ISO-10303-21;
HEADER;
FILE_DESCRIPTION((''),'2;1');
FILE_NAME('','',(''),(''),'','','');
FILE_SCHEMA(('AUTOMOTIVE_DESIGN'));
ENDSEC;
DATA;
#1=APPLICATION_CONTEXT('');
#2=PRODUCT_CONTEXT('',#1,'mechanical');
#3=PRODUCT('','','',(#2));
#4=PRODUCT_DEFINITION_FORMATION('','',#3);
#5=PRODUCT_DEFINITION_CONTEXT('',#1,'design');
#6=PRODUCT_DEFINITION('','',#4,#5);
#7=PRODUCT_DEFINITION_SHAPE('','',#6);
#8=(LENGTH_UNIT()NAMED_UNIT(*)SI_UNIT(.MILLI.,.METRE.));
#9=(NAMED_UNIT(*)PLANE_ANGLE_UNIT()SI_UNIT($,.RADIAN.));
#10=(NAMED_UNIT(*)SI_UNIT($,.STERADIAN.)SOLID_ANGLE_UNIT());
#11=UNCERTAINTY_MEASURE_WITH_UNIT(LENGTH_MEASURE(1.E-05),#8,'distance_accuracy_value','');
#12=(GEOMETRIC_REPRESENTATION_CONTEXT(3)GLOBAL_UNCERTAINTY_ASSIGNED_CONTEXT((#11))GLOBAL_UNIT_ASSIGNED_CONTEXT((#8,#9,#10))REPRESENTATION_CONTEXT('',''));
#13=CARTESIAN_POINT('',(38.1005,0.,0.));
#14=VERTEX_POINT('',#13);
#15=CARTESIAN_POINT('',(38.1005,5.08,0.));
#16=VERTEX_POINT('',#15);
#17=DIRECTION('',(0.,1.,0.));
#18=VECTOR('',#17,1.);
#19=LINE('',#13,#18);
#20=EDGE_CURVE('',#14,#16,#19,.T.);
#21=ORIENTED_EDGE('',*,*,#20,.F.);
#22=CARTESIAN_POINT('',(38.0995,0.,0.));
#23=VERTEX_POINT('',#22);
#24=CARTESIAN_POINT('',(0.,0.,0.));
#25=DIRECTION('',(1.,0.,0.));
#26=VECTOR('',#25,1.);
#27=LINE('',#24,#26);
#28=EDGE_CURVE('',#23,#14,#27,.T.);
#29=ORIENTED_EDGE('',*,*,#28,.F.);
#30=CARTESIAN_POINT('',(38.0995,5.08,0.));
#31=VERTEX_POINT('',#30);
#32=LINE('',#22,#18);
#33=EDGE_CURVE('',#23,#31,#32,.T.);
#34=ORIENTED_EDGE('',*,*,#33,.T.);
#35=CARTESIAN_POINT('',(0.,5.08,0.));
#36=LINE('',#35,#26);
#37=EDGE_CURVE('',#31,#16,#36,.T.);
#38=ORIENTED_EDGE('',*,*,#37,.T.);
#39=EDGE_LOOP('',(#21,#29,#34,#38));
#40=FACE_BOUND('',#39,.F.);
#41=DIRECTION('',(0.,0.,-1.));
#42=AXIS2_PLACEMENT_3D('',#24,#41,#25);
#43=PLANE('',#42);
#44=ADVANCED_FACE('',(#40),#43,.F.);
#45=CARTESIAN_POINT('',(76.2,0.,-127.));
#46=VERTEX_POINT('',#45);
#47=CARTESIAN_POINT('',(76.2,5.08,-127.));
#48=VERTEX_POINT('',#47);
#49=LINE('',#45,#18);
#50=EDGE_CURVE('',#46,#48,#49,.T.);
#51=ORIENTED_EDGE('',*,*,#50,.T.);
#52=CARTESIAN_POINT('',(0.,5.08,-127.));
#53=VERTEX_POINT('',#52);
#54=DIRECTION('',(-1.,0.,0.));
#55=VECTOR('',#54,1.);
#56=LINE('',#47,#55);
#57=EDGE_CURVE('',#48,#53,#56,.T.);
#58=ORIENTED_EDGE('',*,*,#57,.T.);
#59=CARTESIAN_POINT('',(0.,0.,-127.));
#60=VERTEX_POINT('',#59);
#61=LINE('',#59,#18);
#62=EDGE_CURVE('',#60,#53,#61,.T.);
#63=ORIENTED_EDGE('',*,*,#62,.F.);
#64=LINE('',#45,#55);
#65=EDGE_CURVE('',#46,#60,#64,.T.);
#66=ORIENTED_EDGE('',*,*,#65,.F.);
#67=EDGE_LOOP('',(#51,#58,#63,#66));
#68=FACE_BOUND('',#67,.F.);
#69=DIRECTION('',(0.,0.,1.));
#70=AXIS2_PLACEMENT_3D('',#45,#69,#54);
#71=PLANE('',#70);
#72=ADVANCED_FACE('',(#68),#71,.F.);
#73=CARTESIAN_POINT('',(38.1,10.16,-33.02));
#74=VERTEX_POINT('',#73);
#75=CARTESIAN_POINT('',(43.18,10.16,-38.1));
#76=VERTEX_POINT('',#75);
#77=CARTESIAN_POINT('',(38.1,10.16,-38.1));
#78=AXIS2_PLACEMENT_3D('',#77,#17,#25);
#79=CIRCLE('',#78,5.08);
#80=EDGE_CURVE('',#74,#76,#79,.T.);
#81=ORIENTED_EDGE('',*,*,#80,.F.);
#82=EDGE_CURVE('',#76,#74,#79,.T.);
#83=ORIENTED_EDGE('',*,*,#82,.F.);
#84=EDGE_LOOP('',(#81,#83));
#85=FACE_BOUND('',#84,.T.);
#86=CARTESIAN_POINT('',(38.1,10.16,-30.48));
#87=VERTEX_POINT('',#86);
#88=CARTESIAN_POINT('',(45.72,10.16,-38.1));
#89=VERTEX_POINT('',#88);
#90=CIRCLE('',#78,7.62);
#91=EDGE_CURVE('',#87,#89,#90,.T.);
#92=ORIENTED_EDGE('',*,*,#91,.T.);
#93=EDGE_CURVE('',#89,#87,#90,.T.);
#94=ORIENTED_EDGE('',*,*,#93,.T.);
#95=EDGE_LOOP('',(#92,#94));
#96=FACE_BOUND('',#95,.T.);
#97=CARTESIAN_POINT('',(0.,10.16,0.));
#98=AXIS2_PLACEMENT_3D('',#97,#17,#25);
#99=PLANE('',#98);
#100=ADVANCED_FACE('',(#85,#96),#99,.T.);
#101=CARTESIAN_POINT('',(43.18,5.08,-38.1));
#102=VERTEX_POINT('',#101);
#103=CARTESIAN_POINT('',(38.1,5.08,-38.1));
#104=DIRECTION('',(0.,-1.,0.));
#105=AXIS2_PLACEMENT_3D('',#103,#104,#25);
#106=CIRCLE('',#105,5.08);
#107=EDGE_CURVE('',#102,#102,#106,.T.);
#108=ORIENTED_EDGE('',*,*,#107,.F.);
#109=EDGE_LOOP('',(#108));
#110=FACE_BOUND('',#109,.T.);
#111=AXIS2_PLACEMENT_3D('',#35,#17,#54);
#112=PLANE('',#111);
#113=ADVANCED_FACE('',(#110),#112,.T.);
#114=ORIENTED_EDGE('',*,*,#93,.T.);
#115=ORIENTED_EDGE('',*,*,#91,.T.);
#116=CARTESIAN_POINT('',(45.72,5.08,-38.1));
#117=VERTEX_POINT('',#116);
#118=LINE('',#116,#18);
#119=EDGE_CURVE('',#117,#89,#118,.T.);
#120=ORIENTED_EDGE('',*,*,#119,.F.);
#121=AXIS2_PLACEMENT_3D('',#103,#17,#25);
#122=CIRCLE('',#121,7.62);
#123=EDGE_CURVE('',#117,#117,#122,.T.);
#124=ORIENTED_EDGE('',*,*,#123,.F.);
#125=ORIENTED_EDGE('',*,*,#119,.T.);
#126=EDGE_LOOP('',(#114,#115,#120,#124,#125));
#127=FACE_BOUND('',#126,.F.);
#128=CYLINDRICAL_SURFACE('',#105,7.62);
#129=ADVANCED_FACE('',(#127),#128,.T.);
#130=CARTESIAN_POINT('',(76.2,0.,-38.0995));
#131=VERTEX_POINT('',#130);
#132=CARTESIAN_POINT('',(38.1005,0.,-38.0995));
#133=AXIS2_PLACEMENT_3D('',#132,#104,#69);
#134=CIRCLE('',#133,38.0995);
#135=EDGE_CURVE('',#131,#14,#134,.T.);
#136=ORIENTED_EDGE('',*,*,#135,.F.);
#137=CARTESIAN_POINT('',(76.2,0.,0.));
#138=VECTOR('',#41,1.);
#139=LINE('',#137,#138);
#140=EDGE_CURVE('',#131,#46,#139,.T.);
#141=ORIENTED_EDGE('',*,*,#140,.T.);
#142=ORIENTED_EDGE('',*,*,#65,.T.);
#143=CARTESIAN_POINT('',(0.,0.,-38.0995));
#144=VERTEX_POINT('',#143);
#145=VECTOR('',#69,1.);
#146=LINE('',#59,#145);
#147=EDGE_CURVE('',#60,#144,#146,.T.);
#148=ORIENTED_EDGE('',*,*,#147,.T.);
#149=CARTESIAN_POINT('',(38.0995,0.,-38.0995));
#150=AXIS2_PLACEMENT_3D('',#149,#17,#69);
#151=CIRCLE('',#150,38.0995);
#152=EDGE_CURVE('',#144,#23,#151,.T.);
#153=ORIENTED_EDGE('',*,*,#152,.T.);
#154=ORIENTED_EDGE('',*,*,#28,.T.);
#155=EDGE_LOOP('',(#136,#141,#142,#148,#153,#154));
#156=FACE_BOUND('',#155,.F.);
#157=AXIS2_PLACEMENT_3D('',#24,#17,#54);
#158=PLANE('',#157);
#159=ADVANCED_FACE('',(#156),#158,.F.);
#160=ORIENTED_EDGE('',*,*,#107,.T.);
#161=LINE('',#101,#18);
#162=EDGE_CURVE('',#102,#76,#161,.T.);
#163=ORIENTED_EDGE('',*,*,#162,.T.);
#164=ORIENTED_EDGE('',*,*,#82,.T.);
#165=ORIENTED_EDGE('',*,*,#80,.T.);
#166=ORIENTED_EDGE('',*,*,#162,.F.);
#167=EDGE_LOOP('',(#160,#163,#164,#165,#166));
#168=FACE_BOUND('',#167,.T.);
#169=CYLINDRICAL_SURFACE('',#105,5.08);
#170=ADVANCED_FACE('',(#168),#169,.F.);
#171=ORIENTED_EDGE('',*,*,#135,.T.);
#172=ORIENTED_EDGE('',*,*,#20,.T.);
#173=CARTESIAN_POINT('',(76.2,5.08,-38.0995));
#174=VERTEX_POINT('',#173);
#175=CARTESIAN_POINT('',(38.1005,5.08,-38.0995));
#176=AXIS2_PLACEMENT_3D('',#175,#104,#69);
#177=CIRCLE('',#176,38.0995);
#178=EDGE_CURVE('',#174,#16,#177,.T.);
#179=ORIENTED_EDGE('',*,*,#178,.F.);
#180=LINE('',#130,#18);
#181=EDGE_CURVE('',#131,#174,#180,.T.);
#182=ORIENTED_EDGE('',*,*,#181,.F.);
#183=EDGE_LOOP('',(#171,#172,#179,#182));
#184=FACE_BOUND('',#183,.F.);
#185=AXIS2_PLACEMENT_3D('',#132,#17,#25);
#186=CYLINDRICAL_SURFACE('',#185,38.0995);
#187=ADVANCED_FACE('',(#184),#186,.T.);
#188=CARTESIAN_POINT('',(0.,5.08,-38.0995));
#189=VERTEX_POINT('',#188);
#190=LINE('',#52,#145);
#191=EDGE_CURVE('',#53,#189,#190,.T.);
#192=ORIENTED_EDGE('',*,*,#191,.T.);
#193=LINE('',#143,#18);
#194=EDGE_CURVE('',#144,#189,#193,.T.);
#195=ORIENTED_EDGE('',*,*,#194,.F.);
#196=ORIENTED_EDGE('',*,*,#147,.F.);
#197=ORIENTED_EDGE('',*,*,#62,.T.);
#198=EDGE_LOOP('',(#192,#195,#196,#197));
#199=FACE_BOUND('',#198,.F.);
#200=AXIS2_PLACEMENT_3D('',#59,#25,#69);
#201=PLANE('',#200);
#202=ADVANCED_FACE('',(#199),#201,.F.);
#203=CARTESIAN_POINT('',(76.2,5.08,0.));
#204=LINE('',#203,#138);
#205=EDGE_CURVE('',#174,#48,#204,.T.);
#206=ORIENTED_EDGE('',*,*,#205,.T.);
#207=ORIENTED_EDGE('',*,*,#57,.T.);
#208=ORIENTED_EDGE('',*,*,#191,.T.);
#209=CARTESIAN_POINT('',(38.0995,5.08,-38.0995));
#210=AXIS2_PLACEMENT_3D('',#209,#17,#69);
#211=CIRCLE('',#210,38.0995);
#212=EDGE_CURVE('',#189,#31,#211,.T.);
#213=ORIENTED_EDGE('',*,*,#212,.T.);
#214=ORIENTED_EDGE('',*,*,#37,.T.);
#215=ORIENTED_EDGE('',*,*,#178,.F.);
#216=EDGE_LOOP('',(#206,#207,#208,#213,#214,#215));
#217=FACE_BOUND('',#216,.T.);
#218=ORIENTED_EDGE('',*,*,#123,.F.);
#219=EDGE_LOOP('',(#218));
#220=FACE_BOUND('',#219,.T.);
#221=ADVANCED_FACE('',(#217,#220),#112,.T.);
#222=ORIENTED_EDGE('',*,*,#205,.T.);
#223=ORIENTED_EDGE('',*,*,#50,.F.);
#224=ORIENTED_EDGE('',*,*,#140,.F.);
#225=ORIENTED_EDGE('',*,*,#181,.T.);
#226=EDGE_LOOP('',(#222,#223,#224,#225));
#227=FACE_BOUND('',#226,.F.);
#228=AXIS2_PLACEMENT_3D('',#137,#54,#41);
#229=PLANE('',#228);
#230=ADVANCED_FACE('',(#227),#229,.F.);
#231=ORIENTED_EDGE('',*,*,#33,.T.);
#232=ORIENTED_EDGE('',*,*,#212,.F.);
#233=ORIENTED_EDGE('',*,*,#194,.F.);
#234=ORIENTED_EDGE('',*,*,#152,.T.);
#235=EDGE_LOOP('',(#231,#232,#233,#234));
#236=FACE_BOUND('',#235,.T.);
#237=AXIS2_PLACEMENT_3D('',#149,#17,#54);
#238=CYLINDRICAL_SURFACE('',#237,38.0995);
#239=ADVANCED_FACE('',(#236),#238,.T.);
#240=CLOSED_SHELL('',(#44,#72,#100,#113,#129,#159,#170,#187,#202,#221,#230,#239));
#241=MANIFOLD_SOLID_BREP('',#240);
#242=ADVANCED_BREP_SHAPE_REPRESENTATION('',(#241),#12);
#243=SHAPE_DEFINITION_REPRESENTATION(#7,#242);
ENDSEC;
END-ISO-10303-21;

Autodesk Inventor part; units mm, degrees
ref_plane "YZ Plane" through (0, 0, 0) normal (1, 0, 0) x (0, 1, 0)
ref_plane "XZ Plane" through (0, 0, 0) normal (0, 1, 0) x (-1, 0, 0)
ref_plane "XY Plane" through (0, 0, 0) normal (0, 0, 1) x (1, 0, 0)
sketch "Sketch1" plane through (0, 0, 0) normal (0, 1, 0) x (-1, 0, 0)
  line L0 (0, 0) -> (-76.2, 0)
  line L1 (-76.2, 0) -> (-76.2, -127)
  line L2 (-76.2, -127) -> (0, -127)
  line L3 (0, -127) -> (0, 0)
  dimension "d0" = 76.2
  dimension "d1" = 127
extrude "Extrusion1" add sketch "Sketch1" along normal blind 5.08
fillet "Fillet1" radius 38.1 2 edges at (76.2, 2.54, 0) (0, 2.54, 0)
sketch "Sketch2" plane through (0, 5.08, 0) normal (0, 1, 0) x (1, 0, 0)
  arc A0 (0, 38.1) -> (76.2, 38.1) centre (38.1, 38.1) ccw projected
  line L0 (38.1, 0) -> (38.1, 38.1)
  circle A1 centre (38.1, 38.1) radius 7.62
  circle A2 centre (38.1, 38.1) radius 5.08
  point P0 (0, 0)
  dimension "d5" = 15.24
  dimension "d6" = 10.16
extrude "Extrusion2" add sketch "Sketch2" along normal blind 5.08
properties part number "daodwaw"
